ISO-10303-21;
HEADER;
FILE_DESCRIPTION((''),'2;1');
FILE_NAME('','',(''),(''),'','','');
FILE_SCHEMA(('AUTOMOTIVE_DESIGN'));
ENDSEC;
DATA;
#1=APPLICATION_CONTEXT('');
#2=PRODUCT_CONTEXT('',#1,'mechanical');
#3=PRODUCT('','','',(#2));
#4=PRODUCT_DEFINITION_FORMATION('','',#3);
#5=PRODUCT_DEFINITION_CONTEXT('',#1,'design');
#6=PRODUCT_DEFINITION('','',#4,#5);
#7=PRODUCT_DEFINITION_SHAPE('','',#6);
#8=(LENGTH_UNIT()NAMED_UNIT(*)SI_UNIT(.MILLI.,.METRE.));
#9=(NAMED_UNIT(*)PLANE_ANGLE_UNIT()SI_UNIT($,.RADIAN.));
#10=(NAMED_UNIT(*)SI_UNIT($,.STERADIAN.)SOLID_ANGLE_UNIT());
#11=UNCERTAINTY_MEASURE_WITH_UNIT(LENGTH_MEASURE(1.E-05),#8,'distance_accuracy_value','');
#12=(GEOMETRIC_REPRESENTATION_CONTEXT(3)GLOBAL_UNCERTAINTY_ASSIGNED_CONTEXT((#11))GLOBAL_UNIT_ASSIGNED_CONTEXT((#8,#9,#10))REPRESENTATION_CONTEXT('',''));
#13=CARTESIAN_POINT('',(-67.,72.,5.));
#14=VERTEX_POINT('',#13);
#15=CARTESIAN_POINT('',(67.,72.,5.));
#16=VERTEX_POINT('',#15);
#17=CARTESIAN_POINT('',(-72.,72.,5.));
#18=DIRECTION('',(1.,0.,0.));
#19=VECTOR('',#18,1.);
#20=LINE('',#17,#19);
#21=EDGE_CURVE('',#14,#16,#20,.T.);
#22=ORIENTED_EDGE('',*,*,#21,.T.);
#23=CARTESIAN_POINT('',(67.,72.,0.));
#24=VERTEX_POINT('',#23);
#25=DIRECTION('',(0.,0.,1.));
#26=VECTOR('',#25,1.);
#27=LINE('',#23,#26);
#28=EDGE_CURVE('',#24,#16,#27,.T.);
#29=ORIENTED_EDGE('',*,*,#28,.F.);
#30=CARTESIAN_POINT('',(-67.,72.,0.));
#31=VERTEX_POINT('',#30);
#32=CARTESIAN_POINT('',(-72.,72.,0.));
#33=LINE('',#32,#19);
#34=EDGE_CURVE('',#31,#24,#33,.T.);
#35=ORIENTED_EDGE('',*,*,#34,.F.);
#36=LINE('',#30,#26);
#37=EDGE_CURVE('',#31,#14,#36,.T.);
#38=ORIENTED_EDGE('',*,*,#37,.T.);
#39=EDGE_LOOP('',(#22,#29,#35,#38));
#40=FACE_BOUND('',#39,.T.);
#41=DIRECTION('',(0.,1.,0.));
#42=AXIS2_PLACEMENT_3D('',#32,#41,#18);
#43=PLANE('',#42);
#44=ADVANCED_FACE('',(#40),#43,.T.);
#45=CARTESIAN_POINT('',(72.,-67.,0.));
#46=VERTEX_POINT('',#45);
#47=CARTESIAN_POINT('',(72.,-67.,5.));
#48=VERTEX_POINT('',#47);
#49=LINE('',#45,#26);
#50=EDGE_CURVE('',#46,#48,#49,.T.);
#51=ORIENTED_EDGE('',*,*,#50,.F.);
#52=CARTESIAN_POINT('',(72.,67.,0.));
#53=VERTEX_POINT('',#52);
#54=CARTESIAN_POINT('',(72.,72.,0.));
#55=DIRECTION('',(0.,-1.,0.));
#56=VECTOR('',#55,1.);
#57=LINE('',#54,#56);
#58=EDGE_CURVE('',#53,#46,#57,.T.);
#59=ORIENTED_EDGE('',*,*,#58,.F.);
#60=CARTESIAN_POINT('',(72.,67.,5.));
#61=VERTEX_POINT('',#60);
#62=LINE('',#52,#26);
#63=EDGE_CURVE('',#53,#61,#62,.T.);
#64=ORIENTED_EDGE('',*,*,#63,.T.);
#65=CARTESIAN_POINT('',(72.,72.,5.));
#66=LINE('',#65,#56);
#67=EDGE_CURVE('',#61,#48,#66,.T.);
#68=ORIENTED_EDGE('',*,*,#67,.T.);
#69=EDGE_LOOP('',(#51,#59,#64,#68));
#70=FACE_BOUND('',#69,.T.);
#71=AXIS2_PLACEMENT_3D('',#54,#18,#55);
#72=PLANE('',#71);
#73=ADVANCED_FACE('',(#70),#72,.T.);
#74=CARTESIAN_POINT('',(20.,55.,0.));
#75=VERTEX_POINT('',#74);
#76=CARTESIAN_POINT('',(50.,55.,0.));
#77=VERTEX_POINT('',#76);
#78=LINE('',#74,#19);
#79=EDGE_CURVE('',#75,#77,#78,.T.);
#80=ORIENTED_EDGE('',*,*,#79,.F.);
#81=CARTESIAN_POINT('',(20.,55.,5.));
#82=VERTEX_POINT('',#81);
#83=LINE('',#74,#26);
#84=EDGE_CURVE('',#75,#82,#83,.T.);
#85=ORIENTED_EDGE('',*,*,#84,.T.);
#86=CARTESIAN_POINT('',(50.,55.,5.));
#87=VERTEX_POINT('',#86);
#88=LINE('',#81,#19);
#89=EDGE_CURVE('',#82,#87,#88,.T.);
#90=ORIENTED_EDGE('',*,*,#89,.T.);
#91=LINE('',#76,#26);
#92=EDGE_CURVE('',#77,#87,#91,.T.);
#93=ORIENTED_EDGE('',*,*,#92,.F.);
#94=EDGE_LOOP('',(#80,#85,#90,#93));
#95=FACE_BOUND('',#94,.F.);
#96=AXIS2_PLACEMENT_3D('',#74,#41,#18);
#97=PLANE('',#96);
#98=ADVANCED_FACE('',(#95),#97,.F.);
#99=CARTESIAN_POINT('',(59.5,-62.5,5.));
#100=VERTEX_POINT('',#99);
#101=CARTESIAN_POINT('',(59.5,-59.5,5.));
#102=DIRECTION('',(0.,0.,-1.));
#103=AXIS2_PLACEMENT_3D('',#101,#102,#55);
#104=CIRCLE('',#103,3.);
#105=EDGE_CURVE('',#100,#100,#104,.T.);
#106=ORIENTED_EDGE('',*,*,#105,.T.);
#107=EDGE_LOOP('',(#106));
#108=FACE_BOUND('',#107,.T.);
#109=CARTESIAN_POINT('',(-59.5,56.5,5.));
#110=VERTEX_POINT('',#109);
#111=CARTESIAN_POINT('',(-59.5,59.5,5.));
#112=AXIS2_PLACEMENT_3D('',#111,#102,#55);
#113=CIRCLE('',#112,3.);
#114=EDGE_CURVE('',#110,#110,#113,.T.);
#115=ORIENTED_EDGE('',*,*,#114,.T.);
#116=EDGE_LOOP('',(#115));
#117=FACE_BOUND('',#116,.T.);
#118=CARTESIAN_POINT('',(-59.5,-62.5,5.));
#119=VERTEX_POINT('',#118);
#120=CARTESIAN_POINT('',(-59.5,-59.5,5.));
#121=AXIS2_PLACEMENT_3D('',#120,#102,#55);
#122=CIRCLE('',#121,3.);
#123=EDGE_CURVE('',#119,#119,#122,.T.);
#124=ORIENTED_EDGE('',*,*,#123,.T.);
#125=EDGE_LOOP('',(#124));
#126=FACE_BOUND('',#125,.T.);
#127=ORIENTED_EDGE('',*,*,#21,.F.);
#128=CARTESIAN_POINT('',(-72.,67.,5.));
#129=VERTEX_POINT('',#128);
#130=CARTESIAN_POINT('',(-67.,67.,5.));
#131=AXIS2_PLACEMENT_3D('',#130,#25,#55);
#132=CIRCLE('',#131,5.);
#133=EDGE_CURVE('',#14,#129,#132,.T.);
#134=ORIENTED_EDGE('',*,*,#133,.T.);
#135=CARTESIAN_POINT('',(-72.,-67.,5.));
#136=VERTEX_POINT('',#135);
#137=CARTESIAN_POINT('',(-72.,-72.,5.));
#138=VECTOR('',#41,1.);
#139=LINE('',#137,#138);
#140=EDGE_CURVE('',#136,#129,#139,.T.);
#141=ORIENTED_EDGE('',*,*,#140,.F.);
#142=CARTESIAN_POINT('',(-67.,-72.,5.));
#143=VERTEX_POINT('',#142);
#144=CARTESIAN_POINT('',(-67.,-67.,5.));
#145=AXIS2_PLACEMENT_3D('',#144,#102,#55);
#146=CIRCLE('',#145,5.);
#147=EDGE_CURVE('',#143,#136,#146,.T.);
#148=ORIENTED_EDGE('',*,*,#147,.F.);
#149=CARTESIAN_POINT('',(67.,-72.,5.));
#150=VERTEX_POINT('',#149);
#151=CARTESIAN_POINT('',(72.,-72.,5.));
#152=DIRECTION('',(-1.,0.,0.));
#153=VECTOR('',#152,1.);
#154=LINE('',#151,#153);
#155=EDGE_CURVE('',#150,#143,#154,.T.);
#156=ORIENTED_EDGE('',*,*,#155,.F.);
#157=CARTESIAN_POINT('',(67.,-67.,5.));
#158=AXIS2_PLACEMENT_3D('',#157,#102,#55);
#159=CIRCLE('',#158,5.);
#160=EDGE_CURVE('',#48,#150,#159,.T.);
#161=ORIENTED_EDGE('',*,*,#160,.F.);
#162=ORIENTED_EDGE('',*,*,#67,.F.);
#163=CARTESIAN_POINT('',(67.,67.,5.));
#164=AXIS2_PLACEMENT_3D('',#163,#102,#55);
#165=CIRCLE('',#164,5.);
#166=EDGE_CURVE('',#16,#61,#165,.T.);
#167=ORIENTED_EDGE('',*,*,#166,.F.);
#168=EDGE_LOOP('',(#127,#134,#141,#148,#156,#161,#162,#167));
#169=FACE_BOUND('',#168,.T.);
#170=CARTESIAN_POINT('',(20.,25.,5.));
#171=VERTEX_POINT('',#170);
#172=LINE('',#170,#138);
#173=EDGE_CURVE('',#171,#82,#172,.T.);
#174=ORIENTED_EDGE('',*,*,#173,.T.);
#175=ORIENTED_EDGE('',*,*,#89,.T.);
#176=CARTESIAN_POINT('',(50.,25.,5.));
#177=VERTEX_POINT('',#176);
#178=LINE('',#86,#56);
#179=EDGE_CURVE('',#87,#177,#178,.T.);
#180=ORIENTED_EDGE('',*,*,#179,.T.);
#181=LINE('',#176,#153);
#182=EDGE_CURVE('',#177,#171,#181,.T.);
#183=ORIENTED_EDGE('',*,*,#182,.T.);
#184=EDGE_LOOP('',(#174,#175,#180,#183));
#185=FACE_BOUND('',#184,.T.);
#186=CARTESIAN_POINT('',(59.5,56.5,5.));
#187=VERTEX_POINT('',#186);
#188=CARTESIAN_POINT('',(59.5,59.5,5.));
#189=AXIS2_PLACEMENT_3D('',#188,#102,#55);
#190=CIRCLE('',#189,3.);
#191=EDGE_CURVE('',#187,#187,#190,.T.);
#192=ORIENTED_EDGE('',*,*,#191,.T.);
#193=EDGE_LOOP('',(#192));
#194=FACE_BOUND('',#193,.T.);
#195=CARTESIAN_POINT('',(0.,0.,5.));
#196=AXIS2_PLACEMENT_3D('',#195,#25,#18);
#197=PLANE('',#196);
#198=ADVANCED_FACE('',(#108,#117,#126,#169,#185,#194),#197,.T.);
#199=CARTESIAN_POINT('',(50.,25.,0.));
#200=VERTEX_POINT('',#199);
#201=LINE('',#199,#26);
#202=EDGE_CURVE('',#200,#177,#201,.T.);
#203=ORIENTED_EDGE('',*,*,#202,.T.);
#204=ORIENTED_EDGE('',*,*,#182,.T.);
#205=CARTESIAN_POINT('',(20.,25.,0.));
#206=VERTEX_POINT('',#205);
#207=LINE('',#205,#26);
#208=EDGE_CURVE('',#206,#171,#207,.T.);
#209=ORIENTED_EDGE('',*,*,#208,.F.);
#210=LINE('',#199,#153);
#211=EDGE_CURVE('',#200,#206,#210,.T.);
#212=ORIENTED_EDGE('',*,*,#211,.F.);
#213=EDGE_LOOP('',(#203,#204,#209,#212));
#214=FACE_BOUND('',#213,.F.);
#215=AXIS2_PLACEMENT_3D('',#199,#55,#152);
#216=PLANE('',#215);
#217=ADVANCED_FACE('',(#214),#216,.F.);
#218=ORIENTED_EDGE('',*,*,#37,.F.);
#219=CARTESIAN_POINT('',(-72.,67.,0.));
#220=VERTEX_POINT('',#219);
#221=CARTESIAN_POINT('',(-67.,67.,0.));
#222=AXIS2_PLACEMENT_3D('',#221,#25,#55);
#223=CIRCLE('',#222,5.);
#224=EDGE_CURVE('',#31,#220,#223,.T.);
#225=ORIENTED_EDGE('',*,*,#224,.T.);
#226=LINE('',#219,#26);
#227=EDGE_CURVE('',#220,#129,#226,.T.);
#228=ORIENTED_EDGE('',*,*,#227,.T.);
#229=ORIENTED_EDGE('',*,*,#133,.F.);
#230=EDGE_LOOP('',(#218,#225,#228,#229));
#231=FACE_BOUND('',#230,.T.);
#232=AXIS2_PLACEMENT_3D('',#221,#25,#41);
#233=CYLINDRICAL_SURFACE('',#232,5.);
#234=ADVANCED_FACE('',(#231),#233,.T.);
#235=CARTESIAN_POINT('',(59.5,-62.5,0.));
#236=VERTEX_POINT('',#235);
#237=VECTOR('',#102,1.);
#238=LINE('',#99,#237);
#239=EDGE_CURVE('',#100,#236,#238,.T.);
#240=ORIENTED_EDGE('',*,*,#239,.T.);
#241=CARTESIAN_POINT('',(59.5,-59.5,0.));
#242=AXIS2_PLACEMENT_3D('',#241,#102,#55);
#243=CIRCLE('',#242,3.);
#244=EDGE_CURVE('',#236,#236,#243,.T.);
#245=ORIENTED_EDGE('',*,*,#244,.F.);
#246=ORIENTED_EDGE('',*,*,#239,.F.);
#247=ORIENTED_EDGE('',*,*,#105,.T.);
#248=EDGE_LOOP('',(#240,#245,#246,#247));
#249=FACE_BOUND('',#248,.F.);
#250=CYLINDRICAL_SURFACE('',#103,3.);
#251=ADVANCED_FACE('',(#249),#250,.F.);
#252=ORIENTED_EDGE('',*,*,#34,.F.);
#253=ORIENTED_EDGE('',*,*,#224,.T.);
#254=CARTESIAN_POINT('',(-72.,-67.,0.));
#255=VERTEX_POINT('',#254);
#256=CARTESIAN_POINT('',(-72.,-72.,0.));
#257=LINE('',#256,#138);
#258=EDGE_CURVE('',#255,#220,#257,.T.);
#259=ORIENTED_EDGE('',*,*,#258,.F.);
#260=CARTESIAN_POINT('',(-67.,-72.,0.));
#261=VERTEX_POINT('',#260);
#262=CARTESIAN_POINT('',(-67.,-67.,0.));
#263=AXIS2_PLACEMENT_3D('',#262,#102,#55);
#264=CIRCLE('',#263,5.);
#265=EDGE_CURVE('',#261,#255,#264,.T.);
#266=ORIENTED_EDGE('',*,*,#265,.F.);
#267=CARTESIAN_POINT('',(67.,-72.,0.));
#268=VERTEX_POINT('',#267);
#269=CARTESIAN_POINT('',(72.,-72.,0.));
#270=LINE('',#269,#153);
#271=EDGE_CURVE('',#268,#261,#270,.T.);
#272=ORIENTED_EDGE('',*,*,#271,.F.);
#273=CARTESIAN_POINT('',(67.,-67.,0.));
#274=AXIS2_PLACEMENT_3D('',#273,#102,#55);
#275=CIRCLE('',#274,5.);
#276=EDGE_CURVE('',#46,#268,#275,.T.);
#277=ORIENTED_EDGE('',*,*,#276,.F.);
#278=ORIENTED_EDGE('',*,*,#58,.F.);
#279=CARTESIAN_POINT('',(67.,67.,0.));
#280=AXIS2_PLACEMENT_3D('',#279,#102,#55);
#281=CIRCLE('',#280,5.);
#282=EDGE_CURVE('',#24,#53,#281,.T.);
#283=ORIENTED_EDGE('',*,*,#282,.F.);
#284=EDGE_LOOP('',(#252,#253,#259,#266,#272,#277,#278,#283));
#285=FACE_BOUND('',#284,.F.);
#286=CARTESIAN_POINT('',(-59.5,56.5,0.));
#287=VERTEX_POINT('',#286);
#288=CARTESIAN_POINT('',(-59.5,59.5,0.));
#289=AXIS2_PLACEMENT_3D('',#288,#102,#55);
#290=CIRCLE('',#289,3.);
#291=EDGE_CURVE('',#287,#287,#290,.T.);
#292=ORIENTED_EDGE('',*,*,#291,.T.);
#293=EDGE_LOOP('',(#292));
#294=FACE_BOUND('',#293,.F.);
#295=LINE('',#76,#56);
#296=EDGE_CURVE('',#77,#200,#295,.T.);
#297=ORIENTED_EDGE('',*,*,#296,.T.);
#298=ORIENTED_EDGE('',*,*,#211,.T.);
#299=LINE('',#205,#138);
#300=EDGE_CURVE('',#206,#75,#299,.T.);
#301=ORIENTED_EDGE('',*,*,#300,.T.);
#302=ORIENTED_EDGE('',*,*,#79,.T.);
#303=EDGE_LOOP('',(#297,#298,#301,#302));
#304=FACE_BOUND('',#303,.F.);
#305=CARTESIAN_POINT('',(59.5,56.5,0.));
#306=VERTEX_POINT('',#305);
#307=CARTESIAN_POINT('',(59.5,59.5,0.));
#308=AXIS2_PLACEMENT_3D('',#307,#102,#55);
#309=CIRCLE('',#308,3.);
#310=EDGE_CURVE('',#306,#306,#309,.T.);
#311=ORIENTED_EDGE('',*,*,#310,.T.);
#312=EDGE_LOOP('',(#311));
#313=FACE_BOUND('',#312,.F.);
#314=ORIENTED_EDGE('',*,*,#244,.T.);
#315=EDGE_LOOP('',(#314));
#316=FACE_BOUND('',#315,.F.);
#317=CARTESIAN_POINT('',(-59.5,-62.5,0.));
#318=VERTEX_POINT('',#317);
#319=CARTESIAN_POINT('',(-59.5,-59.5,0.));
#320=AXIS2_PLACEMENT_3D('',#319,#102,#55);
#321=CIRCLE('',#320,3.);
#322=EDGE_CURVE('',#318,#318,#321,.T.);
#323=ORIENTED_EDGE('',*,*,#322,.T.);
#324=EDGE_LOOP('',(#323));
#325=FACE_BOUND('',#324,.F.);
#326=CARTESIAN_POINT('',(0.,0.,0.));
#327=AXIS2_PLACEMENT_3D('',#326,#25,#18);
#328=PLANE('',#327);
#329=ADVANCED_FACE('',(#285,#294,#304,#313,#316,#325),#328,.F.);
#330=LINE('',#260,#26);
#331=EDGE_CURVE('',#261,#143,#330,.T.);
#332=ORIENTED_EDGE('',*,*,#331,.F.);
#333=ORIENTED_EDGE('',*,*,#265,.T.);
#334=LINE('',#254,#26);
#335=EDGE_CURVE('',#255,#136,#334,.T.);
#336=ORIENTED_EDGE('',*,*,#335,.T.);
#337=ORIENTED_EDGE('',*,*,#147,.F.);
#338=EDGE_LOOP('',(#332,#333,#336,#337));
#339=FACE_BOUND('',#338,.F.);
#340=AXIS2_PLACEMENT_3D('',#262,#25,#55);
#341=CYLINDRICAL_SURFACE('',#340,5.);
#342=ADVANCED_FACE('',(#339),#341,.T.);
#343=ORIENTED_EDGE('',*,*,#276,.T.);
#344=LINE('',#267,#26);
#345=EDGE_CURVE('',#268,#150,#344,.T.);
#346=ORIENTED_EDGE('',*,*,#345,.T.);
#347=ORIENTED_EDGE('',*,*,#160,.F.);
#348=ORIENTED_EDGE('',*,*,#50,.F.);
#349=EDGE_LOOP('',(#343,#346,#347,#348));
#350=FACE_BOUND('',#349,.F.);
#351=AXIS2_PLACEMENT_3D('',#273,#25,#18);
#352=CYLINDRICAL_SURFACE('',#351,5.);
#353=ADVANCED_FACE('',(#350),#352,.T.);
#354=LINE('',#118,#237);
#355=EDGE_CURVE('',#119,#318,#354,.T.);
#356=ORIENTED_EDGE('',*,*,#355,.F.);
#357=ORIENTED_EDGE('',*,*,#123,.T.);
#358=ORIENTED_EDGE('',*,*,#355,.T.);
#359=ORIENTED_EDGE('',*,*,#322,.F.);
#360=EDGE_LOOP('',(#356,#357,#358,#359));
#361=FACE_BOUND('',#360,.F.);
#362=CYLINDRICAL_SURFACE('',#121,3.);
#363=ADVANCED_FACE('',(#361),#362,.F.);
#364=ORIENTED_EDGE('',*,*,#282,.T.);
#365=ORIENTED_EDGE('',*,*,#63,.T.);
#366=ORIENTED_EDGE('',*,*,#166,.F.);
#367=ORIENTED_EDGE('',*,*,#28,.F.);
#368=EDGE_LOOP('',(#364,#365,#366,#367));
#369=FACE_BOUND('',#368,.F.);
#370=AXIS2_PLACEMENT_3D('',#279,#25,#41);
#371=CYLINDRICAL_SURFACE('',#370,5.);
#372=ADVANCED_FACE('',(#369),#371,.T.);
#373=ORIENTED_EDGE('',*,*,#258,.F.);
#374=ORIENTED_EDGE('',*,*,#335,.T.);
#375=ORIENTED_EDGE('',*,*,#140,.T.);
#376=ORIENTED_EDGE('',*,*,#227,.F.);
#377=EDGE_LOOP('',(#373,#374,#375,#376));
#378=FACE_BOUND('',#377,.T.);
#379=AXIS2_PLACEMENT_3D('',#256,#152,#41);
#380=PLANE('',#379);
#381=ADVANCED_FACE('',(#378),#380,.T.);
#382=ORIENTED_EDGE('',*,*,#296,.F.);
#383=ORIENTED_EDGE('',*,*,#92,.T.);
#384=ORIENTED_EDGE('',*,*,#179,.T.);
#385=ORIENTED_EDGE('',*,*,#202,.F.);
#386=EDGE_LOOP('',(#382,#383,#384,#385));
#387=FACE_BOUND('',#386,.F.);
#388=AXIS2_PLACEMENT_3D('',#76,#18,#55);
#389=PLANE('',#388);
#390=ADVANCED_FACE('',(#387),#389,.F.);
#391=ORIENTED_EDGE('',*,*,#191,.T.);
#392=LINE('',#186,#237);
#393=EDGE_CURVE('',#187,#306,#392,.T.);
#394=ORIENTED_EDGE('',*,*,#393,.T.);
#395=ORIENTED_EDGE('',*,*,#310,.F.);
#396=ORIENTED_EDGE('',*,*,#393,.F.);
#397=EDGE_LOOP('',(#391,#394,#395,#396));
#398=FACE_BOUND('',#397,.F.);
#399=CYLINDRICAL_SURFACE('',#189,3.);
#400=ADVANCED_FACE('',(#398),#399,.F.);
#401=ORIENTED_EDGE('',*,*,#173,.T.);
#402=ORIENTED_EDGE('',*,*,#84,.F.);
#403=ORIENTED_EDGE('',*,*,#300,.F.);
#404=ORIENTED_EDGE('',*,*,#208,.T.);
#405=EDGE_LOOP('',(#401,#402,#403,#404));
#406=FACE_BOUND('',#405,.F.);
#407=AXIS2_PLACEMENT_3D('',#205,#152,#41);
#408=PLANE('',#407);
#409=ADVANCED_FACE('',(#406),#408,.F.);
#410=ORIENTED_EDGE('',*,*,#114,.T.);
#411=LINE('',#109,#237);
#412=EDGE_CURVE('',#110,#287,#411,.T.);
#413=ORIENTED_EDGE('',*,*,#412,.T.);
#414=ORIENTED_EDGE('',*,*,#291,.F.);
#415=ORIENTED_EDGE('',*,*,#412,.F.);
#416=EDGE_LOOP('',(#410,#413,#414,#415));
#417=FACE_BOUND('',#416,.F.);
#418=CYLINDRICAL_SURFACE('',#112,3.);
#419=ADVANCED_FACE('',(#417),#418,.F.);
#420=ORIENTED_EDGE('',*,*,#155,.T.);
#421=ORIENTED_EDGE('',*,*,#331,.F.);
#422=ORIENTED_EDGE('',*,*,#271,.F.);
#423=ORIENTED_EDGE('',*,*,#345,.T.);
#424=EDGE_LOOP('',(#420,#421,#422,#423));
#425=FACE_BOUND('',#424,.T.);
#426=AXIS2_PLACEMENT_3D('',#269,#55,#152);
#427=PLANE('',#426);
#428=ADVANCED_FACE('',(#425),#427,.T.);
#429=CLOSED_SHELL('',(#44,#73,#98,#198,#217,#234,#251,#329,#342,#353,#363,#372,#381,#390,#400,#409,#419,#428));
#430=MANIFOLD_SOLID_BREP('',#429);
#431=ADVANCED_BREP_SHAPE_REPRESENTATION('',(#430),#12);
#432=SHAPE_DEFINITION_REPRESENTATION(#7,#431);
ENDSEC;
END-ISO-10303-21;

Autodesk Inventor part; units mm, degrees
ref_plane "YZ Plane" through (0, 0, 0) normal (1, 0, 0) x (0, 1, 0)
ref_plane "XZ Plane" through (0, 0, 0) normal (0, 1, 0) x (-1, 0, 0)
ref_plane "XY Plane" through (0, 0, 0) normal (0, 0, 1) x (1, 0, 0)
sketch "Sketch1" plane through (0, 0, 0) normal (0, 0, 1) x (1, 0, 0)
  line L0 (-72, 72) -> (72, 72)
  line L1 (72, 72) -> (72, -72)
  line L2 (72, -72) -> (-72, -72)
  line L3 (-72, -72) -> (-72, 72)
  line L4 (20, 55) -> (50, 55)
  line L5 (50, 55) -> (50, 25)
  line L6 (50, 25) -> (20, 25)
  line L7 (20, 25) -> (20, 55)
  point P0 (0, 0)
  dimension "d0" = 144
  dimension "d1" = 144
  dimension "d2" = 72
  dimension "d3" = 72
  dimension "d4" = 20
  dimension "d5" = 25
  dimension "d6" = 30
  dimension "d7" = 30
extrude "Extrusion1" add sketch "Sketch1" along normal blind 5
fillet "Fillet1" radius 5 4 edges at (-72, -72, 2.5) (72, -72, 2.5) (72, 72, 2.5) (-72, 72, 2.5)
sketch "Sketch3" plane through (0, 0, 5) normal (0, 0, 1) x (1, 0, 0)
  line L0 (-59.5, 59.5) -> (59.5, 59.5)
  line L1 (59.5, 59.5) -> (59.5, -59.5)
  line L2 (59.5, -59.5) -> (-59.5, -59.5)
  line L3 (-59.5, -59.5) -> (-59.5, 59.5)
  circle A0 centre (-59.5, 59.5) radius 3
  point P0 (0, 0)
  dimension "d23" = 119
  dimension "d24" = 119
  dimension "d25" = 59.5
  dimension "d26" = 59.5
  dimension "d27" = 6
hole "Hole2" at (-59.5, 59.5, 5) at (59.5, 59.5, 5) at (59.5, -59.5, 5) at (-59.5, -59.5, 5) direction (0, 0, -1) diameter 6 end through all
equation "\"d2\" = 0.5 * d0"
equation "\"d3\" = 0.5 * d1"
equation "\"d25\" = 0.5 * d24"
equation "\"d26\" = 0.5 * d23"
equation "\"d28\" = d27"
properties part number "WaagePlexiTurm" material "PET Plastic"
